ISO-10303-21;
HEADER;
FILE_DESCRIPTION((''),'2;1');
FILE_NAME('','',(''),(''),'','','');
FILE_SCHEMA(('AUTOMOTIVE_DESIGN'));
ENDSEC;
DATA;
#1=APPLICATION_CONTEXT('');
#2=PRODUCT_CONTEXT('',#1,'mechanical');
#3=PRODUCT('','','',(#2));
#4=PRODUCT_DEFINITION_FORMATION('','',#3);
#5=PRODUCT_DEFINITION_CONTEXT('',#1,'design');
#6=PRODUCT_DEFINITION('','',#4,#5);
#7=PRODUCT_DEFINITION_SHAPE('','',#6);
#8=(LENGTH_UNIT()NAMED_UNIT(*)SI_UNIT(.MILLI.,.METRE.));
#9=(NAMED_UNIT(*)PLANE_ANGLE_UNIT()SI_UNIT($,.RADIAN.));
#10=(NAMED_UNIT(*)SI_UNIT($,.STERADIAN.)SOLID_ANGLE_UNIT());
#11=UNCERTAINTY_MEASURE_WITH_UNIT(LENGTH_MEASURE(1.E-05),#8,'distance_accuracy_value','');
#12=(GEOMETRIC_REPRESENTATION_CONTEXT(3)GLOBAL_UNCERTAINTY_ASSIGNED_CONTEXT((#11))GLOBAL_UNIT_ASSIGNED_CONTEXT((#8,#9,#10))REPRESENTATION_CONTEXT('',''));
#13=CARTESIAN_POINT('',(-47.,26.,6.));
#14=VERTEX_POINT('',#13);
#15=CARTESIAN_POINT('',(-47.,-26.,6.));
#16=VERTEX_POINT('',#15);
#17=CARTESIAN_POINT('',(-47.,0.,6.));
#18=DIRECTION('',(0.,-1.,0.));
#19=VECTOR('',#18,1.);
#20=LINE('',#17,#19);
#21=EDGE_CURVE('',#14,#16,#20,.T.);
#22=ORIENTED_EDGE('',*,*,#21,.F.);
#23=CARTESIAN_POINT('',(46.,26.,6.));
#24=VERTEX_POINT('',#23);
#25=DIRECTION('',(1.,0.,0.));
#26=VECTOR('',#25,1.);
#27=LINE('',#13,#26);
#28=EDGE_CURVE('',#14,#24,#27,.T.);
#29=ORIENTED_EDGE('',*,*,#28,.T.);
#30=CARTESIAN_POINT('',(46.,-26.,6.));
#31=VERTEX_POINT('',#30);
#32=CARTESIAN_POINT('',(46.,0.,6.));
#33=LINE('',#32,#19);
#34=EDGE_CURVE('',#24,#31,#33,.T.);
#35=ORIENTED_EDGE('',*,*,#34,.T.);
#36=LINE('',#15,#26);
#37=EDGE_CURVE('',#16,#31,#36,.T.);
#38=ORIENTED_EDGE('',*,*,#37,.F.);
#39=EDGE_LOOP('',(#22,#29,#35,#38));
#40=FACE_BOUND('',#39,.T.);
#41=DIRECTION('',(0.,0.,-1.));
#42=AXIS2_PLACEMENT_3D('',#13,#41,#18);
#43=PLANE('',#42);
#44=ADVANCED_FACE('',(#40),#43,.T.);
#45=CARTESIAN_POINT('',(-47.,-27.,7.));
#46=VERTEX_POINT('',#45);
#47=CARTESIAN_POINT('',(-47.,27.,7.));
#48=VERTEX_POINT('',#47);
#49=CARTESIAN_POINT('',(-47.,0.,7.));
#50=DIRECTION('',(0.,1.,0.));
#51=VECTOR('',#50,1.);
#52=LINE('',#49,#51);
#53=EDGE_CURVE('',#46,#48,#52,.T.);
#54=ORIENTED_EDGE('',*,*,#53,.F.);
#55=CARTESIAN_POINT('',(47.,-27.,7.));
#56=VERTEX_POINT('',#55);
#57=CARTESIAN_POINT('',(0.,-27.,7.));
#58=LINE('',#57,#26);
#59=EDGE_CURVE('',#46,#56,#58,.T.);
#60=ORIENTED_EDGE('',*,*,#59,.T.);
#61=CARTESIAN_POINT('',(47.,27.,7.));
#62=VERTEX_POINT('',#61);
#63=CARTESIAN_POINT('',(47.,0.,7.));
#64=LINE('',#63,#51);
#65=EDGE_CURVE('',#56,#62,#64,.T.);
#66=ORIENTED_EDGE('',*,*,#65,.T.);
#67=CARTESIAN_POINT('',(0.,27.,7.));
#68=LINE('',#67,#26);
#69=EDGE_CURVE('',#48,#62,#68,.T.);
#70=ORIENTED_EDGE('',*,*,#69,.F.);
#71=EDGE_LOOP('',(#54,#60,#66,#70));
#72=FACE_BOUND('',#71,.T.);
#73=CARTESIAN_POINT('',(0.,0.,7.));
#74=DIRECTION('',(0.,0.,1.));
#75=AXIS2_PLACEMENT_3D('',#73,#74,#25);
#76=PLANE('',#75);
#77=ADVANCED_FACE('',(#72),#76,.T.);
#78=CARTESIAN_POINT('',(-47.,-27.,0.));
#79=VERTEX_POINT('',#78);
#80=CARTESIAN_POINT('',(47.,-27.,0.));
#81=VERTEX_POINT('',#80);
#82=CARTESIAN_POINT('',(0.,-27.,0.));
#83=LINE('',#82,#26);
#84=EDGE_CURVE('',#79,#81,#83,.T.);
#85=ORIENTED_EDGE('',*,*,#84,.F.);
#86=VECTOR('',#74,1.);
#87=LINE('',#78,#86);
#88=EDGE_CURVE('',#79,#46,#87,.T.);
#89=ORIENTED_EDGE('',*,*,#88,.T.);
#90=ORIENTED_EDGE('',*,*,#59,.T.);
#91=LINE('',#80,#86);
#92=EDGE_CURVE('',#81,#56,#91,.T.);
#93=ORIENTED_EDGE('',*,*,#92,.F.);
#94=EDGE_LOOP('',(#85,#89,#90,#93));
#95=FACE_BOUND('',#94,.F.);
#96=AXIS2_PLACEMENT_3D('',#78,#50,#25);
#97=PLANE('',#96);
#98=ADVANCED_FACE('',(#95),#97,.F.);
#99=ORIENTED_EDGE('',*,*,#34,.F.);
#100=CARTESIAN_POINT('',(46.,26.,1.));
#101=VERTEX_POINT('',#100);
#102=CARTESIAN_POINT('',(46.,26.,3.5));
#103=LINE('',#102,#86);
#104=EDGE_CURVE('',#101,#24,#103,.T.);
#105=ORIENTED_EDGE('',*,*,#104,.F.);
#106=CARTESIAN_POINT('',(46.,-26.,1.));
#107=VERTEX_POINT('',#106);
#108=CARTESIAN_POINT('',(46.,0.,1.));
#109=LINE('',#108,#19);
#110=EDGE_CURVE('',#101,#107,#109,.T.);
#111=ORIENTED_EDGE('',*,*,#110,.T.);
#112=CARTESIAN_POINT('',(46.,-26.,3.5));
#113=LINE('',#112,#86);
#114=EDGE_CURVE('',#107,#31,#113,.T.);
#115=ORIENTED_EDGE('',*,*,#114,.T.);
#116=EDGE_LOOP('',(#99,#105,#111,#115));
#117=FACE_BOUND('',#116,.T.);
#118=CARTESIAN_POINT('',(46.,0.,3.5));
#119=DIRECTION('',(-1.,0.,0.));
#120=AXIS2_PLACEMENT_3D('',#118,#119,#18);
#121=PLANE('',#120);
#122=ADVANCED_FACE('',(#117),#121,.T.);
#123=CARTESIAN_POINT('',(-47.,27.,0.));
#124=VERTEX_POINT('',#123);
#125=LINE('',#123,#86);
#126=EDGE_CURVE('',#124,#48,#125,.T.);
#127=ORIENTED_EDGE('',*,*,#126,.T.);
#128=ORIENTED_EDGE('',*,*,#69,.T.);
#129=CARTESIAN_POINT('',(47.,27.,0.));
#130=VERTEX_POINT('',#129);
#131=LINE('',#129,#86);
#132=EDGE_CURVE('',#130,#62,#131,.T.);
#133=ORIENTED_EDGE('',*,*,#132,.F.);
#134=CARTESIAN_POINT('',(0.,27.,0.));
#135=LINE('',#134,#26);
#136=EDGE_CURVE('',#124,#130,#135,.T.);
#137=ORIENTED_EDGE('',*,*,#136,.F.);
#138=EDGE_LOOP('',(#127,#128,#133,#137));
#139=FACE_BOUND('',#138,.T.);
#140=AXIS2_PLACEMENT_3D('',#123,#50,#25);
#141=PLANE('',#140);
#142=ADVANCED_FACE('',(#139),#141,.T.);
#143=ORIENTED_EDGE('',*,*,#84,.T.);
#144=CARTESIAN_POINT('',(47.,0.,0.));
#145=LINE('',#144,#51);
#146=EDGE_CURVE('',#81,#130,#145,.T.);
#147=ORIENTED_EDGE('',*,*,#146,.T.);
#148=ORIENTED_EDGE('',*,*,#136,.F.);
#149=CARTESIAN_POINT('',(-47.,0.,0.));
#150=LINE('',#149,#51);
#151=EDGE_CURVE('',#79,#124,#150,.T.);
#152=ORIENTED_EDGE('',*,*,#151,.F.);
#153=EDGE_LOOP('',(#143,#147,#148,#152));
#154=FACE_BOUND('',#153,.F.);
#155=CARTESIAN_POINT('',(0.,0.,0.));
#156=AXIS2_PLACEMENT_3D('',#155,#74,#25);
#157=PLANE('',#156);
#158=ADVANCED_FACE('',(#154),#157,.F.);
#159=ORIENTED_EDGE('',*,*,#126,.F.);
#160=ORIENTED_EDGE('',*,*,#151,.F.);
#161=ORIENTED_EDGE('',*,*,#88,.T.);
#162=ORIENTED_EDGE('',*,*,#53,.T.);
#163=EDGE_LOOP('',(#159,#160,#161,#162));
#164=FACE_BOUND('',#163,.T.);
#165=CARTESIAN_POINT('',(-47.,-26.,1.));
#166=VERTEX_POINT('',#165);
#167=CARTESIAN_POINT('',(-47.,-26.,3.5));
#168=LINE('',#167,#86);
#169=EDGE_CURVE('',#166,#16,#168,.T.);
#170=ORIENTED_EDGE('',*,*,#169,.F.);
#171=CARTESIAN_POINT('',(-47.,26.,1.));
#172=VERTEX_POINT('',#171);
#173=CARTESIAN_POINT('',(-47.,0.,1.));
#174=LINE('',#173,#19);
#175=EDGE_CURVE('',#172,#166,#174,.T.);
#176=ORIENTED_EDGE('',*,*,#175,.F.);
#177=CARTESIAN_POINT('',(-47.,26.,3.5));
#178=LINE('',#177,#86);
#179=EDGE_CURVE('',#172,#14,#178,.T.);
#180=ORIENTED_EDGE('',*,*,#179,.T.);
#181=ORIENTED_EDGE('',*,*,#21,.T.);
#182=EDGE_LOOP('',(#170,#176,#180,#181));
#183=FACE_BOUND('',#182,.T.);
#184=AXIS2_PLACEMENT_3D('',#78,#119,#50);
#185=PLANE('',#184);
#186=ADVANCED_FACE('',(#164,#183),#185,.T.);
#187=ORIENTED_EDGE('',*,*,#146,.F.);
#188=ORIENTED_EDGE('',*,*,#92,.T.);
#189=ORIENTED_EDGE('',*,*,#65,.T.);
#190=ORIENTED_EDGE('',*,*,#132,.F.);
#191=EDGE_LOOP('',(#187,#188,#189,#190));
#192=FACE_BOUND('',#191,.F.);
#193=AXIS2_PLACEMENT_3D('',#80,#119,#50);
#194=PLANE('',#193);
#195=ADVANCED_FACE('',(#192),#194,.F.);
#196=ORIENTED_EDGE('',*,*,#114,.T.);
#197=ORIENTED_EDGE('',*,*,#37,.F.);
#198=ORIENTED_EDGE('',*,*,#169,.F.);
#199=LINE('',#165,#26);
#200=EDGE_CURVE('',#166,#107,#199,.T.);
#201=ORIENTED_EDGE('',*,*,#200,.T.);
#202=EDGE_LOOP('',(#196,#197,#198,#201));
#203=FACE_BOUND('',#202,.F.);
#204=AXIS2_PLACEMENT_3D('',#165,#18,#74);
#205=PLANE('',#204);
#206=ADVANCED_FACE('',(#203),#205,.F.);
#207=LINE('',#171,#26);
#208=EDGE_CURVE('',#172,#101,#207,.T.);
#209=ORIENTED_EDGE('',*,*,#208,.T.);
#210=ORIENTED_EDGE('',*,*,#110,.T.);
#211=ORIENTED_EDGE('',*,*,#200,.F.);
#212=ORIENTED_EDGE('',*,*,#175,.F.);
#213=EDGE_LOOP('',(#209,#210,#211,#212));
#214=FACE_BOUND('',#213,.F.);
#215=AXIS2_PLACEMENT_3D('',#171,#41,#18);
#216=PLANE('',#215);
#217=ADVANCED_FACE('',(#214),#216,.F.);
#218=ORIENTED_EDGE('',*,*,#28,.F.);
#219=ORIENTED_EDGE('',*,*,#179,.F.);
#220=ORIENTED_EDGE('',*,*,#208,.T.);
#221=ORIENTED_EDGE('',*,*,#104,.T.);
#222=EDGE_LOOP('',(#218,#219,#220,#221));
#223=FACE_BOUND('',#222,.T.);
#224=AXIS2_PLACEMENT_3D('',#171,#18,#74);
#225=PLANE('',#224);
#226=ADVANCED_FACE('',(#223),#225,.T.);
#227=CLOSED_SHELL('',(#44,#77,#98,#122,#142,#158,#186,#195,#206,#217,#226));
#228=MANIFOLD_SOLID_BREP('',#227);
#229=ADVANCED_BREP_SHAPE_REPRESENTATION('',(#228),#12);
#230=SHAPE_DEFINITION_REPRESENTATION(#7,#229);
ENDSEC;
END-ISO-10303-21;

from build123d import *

# Parameters (mm, degrees)
F1_W     = 94
F1_H     = 54
F2_DEPTH = 7
F3_W     = 52
F3_H     = 5
F4_DEPTH = 93


with BuildPart() as f2:
    # F1 (on Top) → F2 (new body)
    with BuildSketch(Plane.XY):
        Rectangle(F1_W, F1_H)
    extrude(amount=F2_DEPTH)

    # F3 (on face) → F4 (cut, through all)
    with BuildSketch(Plane(origin=(-47, 0, 0), x_dir=(0, -1, 0), z_dir=(-1, 0, 0))):
        with Locations((0, 3.5)):
            Rectangle(F3_W, F3_H)
    extrude(amount=-F4_DEPTH, mode=Mode.SUBTRACT)


solid = f2.part
